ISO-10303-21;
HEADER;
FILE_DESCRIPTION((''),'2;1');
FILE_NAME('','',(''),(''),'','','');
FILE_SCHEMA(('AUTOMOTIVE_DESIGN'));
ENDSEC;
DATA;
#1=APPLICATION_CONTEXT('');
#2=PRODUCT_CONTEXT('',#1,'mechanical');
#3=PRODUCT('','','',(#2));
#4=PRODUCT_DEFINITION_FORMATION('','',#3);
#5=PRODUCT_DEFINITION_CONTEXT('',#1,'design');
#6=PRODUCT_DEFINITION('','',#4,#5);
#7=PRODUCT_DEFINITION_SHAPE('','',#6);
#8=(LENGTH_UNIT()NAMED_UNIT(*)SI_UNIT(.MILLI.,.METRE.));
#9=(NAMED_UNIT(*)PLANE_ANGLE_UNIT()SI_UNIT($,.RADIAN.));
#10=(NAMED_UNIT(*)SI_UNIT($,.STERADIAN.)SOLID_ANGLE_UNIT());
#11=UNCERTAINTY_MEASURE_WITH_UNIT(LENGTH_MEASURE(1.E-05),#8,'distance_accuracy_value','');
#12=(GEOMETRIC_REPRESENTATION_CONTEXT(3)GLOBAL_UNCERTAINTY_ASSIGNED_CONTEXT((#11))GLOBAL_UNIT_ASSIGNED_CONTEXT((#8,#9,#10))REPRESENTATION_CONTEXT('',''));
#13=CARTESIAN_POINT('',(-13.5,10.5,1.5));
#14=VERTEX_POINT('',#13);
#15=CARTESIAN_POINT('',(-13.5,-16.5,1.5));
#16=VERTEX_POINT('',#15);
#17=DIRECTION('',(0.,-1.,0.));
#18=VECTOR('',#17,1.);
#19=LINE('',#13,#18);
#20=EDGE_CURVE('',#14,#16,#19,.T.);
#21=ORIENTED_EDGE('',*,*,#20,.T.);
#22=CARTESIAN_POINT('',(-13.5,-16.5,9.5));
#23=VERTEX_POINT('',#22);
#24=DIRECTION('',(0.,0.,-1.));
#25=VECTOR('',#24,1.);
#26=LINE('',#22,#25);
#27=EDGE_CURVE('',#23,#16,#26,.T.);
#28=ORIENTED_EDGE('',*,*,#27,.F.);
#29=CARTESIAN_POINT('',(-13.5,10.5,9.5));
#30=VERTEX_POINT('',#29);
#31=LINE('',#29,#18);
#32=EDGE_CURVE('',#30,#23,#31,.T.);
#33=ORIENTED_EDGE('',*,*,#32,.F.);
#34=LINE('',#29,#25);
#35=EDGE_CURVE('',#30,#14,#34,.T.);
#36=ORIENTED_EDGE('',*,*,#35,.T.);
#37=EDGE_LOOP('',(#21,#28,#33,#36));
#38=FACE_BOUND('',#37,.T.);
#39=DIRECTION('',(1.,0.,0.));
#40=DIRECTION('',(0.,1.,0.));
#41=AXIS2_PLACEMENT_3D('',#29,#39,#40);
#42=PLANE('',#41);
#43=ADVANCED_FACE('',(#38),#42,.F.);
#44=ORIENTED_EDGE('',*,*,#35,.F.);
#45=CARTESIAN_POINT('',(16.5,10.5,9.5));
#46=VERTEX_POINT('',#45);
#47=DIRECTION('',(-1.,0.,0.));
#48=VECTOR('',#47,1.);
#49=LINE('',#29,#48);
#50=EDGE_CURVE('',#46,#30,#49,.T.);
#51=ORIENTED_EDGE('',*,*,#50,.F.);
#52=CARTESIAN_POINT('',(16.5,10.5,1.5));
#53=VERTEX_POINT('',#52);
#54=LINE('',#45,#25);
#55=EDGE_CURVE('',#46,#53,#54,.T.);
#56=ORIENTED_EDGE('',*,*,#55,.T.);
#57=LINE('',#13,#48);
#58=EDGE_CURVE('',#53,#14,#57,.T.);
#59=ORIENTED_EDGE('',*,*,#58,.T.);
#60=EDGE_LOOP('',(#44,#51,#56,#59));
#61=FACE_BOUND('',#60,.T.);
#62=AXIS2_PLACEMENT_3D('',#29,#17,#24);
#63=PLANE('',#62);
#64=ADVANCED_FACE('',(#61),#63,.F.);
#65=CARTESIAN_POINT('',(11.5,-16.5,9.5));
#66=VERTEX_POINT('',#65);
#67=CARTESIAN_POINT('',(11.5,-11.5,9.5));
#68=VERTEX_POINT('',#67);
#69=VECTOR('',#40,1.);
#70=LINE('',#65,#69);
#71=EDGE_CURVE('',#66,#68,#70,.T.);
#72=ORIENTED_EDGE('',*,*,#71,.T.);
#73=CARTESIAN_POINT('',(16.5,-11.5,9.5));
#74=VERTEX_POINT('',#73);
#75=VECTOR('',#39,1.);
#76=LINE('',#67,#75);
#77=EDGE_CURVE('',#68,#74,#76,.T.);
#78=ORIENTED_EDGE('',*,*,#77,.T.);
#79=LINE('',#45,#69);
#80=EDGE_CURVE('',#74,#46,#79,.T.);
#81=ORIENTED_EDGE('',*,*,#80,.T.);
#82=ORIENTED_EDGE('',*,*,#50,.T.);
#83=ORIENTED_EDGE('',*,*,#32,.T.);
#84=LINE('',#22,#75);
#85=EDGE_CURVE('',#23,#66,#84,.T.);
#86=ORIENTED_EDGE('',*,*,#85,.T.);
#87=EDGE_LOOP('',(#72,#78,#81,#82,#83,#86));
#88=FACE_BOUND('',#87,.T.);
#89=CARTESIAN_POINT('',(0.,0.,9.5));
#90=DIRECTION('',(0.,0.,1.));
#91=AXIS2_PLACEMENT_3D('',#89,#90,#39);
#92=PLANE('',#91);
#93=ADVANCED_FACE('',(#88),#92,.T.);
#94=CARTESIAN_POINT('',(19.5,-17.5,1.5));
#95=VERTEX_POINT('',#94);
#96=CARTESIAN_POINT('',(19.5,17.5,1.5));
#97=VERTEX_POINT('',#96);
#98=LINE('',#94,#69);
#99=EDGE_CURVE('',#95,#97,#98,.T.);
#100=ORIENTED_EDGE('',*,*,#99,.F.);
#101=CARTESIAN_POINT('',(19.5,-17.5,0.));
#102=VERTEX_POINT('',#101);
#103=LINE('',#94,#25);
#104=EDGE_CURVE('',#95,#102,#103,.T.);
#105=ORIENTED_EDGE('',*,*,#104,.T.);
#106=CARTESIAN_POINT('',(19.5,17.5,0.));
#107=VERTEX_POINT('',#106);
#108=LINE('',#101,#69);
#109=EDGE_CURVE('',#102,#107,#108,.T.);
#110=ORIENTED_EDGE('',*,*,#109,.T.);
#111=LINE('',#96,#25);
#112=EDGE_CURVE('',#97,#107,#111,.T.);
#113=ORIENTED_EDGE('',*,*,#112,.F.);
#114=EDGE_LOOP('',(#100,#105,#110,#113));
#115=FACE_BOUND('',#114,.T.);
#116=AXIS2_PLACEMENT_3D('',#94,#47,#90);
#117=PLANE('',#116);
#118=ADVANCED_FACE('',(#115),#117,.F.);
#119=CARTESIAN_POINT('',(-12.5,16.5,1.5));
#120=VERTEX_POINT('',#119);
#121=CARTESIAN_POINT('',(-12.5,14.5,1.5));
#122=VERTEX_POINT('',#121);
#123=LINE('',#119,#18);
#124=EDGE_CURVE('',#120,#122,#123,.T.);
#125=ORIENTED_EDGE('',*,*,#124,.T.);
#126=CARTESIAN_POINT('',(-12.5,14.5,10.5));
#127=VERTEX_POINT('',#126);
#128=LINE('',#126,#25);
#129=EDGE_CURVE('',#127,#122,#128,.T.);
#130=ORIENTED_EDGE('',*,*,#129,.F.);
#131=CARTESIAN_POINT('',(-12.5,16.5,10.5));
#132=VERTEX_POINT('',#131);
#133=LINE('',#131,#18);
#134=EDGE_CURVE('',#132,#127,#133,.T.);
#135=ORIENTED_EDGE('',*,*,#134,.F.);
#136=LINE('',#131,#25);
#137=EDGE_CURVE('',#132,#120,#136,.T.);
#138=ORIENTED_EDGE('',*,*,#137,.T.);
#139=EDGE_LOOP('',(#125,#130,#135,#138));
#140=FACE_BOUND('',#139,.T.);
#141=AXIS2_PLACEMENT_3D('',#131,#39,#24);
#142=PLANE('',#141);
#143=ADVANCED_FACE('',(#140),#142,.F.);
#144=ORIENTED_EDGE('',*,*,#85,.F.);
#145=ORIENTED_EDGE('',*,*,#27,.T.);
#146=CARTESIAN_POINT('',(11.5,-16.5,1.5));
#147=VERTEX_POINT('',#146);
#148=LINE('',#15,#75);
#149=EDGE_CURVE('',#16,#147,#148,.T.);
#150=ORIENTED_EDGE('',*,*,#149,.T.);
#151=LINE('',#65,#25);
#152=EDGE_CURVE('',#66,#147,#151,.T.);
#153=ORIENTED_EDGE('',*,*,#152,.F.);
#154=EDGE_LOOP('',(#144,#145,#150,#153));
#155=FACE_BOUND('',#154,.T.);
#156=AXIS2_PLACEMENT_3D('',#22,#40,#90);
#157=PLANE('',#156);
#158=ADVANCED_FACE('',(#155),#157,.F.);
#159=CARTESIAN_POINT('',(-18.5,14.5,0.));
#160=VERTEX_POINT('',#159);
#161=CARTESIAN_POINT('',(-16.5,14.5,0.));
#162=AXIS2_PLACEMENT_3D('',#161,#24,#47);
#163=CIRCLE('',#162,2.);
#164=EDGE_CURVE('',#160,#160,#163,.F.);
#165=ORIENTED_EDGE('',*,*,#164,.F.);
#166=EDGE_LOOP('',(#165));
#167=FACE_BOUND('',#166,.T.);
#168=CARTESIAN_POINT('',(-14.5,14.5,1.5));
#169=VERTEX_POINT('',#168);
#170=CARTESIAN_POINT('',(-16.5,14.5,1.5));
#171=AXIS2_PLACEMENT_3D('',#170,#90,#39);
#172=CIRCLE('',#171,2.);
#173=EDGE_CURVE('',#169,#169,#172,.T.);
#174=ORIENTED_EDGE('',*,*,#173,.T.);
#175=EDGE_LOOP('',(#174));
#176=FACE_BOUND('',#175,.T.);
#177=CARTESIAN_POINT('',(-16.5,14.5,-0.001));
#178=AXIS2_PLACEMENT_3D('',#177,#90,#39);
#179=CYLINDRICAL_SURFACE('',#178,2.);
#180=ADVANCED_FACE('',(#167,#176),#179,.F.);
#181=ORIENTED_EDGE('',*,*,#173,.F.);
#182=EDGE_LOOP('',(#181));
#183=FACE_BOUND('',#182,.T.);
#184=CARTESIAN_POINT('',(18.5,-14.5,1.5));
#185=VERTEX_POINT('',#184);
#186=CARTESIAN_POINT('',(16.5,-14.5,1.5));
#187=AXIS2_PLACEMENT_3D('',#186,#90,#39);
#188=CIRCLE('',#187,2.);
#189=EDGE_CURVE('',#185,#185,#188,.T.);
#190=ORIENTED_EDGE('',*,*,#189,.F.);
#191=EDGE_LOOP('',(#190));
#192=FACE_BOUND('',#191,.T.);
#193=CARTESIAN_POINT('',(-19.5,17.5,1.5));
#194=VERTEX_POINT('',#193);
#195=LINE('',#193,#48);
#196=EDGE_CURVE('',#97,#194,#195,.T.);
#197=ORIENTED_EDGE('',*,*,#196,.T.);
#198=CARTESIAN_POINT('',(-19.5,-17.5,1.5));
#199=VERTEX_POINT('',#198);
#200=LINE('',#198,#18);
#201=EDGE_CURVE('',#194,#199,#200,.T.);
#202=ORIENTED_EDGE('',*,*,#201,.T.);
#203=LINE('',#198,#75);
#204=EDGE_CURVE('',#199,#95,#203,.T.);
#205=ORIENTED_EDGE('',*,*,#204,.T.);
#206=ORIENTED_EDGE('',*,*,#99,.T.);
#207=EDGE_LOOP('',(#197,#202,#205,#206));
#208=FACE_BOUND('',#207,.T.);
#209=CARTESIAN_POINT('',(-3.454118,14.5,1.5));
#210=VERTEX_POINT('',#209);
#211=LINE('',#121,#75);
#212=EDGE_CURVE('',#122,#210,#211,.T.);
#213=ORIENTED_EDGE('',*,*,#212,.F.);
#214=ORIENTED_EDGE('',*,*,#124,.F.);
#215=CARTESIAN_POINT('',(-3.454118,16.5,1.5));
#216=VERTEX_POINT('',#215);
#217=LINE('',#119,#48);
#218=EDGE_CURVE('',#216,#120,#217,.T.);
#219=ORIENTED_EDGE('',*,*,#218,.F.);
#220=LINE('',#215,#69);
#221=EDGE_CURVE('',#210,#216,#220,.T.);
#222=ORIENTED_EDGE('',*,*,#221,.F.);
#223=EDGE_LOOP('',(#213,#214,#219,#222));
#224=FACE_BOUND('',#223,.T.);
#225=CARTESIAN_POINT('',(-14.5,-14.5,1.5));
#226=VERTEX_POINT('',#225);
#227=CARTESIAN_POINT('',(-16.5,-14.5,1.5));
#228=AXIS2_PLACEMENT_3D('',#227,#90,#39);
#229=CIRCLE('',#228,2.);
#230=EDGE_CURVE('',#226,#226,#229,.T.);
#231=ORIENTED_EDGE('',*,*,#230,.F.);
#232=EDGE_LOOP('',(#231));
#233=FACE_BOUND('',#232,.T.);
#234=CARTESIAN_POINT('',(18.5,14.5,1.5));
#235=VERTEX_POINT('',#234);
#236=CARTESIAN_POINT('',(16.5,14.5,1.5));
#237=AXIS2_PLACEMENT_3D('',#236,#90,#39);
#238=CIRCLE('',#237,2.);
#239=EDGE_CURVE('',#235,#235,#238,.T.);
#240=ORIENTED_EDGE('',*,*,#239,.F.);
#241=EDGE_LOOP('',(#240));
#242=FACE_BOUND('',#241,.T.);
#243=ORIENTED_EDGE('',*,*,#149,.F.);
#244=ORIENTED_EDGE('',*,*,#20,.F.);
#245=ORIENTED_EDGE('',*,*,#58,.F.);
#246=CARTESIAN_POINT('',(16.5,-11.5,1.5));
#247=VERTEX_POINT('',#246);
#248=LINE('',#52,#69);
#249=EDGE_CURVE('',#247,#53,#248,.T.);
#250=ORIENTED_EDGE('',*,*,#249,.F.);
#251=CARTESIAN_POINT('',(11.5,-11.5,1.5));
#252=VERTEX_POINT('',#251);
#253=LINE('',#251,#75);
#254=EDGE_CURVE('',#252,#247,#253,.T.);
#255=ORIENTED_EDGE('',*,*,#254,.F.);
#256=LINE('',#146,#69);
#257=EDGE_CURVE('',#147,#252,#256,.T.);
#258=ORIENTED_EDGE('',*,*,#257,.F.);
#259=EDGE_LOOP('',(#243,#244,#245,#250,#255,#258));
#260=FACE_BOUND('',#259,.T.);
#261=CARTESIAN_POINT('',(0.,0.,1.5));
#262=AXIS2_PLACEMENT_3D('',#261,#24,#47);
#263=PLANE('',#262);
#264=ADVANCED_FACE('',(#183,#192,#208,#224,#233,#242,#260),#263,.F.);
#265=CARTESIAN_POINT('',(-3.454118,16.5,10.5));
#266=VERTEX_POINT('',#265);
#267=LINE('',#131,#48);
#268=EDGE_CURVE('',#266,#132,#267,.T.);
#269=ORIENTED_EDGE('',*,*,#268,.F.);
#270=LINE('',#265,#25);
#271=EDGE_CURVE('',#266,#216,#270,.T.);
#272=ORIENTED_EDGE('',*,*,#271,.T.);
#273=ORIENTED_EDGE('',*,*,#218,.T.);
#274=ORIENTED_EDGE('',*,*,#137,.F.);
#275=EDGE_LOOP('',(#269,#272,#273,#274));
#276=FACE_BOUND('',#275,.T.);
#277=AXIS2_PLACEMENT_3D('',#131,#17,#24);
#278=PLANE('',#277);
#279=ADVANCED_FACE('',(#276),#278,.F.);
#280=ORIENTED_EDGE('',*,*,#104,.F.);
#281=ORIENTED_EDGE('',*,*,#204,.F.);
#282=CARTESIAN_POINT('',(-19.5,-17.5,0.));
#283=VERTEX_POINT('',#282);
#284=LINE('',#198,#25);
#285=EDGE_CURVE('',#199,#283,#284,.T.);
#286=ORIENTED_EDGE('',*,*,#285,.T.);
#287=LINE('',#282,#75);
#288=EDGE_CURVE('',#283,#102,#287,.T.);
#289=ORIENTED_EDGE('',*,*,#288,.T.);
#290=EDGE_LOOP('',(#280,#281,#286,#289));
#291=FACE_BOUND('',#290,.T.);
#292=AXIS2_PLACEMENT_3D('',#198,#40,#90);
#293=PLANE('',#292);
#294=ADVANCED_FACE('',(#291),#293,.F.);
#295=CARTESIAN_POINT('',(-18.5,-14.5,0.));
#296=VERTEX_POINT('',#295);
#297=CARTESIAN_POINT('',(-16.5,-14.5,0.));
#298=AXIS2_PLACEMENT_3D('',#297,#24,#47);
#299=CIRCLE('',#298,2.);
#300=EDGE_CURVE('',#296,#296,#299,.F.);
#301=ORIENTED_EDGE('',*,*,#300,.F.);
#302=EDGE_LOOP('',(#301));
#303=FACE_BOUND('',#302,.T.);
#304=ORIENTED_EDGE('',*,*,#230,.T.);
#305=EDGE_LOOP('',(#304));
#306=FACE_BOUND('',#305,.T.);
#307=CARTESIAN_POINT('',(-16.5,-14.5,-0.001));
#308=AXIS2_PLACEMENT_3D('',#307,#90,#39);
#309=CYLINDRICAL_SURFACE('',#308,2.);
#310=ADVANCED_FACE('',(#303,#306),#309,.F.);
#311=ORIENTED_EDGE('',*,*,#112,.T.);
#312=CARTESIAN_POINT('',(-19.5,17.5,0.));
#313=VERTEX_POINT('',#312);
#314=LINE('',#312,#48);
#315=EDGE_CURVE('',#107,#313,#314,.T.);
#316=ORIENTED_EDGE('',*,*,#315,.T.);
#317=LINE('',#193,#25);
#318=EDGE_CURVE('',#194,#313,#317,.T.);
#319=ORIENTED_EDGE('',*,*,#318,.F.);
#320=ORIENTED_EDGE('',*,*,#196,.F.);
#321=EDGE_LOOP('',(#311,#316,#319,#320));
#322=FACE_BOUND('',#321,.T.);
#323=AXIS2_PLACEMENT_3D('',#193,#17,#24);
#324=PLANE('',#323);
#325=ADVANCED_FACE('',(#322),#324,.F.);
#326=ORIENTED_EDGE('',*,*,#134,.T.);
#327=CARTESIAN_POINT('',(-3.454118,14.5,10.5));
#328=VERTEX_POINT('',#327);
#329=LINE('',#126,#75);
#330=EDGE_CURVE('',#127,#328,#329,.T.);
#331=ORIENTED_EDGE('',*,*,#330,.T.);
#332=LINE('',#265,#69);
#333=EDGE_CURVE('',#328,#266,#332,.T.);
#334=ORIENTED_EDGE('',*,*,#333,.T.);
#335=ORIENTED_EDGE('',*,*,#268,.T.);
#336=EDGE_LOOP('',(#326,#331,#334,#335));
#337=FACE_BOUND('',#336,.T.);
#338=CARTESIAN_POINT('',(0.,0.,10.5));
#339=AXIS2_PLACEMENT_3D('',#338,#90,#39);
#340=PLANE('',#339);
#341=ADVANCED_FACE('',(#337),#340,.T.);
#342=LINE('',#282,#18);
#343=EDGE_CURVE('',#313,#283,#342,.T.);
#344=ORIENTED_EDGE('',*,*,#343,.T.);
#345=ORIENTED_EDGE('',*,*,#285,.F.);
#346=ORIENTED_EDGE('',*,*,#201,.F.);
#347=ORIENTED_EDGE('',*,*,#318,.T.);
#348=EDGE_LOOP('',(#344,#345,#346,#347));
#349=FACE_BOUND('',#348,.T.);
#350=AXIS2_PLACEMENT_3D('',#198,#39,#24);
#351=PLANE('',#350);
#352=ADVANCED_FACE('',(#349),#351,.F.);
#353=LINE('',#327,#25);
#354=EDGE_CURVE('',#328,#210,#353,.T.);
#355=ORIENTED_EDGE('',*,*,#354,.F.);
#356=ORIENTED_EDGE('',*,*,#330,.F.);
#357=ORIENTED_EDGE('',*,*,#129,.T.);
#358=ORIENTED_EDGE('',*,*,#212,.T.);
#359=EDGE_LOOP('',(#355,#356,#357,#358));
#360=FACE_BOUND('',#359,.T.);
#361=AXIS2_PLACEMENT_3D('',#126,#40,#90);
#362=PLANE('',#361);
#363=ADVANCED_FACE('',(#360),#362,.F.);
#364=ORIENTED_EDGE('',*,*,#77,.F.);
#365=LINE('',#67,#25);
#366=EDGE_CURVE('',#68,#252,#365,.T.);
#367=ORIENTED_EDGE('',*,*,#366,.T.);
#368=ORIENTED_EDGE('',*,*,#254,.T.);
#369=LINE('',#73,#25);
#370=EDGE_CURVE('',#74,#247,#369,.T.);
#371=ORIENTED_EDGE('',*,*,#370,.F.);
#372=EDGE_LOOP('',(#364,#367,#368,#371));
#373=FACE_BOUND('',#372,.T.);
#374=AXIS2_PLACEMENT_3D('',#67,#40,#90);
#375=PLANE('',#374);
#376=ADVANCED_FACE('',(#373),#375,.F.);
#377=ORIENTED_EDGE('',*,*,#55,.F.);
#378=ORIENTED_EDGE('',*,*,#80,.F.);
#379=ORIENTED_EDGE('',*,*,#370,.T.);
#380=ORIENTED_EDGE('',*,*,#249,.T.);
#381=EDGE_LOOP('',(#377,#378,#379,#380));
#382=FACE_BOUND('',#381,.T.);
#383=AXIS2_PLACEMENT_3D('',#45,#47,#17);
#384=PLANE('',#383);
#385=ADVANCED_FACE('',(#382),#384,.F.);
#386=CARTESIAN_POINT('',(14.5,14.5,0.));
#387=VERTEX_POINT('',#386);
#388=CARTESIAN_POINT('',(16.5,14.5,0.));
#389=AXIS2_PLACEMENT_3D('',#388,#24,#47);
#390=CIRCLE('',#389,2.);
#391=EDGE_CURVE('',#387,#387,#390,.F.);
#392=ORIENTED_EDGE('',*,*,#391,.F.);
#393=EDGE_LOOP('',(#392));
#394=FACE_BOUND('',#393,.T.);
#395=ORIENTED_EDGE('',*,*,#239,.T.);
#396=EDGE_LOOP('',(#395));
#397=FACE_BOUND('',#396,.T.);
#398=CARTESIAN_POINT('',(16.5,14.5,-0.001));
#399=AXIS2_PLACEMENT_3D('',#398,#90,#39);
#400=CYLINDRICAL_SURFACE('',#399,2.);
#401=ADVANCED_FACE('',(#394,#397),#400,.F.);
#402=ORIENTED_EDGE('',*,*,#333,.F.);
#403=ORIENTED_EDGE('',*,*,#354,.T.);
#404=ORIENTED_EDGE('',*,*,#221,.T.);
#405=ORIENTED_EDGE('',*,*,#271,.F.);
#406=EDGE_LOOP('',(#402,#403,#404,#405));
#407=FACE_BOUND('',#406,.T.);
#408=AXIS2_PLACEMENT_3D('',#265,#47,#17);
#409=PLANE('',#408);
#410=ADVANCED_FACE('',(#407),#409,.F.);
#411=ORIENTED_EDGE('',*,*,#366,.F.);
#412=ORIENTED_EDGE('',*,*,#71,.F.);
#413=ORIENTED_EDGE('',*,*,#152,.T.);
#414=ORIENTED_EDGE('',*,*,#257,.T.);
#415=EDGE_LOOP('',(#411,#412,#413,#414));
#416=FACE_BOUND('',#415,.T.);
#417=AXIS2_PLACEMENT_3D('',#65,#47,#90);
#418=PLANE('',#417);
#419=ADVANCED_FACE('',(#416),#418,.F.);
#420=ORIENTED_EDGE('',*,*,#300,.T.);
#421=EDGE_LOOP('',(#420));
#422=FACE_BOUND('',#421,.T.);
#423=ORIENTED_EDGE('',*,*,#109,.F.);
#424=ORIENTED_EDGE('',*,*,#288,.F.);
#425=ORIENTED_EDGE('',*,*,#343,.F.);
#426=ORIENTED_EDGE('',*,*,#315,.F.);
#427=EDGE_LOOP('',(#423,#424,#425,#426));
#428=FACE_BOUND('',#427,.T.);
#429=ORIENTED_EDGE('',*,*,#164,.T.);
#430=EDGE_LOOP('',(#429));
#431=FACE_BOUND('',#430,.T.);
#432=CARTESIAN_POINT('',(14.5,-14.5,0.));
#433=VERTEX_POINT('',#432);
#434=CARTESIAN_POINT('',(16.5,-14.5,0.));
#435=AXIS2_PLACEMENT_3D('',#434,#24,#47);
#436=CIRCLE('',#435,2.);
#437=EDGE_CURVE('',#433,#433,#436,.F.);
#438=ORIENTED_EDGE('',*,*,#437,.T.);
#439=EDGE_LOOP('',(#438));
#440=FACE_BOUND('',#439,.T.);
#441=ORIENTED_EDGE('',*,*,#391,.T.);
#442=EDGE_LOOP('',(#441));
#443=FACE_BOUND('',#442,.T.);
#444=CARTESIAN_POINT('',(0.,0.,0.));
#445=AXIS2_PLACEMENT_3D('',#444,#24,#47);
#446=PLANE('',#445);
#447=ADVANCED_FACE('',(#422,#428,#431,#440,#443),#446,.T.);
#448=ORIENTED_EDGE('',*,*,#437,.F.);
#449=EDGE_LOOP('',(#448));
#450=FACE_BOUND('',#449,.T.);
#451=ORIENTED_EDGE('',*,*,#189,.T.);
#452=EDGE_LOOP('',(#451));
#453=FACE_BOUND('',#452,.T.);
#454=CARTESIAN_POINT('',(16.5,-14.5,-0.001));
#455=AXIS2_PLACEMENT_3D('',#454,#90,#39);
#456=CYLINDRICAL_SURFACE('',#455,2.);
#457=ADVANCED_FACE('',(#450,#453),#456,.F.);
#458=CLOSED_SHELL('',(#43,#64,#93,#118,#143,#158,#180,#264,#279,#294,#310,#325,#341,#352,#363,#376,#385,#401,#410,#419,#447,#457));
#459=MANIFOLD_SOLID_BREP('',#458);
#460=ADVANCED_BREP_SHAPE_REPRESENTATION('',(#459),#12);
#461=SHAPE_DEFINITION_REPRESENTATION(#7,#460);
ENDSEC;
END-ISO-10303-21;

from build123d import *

# Parameters (mm, degrees)
ESQUISSE1_W                     = 39
ESQUISSE1_H                     = 35
BOSS_EXTRU_1_DEPTH              = 1.5
ENL_V_MAT_EXTRU_1_REACH         = 28.244
ESQUISSE2_R                     = 2
R_P_TITION_LIN_AIRE1_COUNT      = 2
R_P_TITION_LIN_AIRE1_PITCH      = 33
R_P_TITION_LIN_AIRE1_COUNT_DIR2 = 2
R_P_TITION_LIN_AIRE1_PITCH_DIR2 = 29
ESQUISSE3_W                     = 9.045882094
ESQUISSE3_H                     = 2
BOSS_EXTRU_2_DEPTH              = 9
BOSS_EXTRU_3_DEPTH              = 8


with BuildPart() as part:
    # Esquisse1 → Boss.-Extru.1 (new body)
    with BuildSketch(Plane.XY):
        Rectangle(ESQUISSE1_W, ESQUISSE1_H)
    extrude(amount=BOSS_EXTRU_1_DEPTH)

    # Esquisse2 → Enlèv. mat.-Extru.1 (cut, up to next)
    with BuildSketch(Plane.XY.offset(1.5), mode=Mode.PRIVATE) as enl_v_mat_extru_1_sk1:
        with Locations((16.5, 14.5)):
            Circle(ESQUISSE2_R)
    enl_v_mat_extru_1_tool1 = extrude(enl_v_mat_extru_1_sk1.sketch, amount=-ENL_V_MAT_EXTRU_1_REACH, mode=Mode.PRIVATE) & part.part
    enl_v_mat_extru_1 = enl_v_mat_extru_1_tool1.solids().sort_by_distance((16.5, 14.5, 1.5))[0]
    add(enl_v_mat_extru_1, mode=Mode.SUBTRACT)

    # Répétition linéaire1: Enl_v. mat.-Extru.1 2 × 2
    with Locations(*[(-i * R_P_TITION_LIN_AIRE1_PITCH, -j * R_P_TITION_LIN_AIRE1_PITCH_DIR2, 0) for i in range(R_P_TITION_LIN_AIRE1_COUNT) for j in range(R_P_TITION_LIN_AIRE1_COUNT_DIR2) if (i, j) != (0, 0)]):
        add(enl_v_mat_extru_1, mode=Mode.SUBTRACT)

    # Esquisse3 → Boss.-Extru.2 (add)
    with BuildSketch(Plane.XY.offset(1.5)):
        with Locations((-7.977058953, 15.5)):
            Rectangle(ESQUISSE3_W, ESQUISSE3_H)
    extrude(amount=BOSS_EXTRU_2_DEPTH)

    # Esquisse4 → Boss.-Extru.3 (add)
    with BuildSketch(Plane.XY.offset(1.5)):
        Polygon((-13.5, 10.5), (16.5, 10.5), (16.5, -11.5), (11.5, -11.5), (11.5, -16.5), (-13.5, -16.5), align=None)
    extrude(amount=BOSS_EXTRU_3_DEPTH)


solid = part.part
